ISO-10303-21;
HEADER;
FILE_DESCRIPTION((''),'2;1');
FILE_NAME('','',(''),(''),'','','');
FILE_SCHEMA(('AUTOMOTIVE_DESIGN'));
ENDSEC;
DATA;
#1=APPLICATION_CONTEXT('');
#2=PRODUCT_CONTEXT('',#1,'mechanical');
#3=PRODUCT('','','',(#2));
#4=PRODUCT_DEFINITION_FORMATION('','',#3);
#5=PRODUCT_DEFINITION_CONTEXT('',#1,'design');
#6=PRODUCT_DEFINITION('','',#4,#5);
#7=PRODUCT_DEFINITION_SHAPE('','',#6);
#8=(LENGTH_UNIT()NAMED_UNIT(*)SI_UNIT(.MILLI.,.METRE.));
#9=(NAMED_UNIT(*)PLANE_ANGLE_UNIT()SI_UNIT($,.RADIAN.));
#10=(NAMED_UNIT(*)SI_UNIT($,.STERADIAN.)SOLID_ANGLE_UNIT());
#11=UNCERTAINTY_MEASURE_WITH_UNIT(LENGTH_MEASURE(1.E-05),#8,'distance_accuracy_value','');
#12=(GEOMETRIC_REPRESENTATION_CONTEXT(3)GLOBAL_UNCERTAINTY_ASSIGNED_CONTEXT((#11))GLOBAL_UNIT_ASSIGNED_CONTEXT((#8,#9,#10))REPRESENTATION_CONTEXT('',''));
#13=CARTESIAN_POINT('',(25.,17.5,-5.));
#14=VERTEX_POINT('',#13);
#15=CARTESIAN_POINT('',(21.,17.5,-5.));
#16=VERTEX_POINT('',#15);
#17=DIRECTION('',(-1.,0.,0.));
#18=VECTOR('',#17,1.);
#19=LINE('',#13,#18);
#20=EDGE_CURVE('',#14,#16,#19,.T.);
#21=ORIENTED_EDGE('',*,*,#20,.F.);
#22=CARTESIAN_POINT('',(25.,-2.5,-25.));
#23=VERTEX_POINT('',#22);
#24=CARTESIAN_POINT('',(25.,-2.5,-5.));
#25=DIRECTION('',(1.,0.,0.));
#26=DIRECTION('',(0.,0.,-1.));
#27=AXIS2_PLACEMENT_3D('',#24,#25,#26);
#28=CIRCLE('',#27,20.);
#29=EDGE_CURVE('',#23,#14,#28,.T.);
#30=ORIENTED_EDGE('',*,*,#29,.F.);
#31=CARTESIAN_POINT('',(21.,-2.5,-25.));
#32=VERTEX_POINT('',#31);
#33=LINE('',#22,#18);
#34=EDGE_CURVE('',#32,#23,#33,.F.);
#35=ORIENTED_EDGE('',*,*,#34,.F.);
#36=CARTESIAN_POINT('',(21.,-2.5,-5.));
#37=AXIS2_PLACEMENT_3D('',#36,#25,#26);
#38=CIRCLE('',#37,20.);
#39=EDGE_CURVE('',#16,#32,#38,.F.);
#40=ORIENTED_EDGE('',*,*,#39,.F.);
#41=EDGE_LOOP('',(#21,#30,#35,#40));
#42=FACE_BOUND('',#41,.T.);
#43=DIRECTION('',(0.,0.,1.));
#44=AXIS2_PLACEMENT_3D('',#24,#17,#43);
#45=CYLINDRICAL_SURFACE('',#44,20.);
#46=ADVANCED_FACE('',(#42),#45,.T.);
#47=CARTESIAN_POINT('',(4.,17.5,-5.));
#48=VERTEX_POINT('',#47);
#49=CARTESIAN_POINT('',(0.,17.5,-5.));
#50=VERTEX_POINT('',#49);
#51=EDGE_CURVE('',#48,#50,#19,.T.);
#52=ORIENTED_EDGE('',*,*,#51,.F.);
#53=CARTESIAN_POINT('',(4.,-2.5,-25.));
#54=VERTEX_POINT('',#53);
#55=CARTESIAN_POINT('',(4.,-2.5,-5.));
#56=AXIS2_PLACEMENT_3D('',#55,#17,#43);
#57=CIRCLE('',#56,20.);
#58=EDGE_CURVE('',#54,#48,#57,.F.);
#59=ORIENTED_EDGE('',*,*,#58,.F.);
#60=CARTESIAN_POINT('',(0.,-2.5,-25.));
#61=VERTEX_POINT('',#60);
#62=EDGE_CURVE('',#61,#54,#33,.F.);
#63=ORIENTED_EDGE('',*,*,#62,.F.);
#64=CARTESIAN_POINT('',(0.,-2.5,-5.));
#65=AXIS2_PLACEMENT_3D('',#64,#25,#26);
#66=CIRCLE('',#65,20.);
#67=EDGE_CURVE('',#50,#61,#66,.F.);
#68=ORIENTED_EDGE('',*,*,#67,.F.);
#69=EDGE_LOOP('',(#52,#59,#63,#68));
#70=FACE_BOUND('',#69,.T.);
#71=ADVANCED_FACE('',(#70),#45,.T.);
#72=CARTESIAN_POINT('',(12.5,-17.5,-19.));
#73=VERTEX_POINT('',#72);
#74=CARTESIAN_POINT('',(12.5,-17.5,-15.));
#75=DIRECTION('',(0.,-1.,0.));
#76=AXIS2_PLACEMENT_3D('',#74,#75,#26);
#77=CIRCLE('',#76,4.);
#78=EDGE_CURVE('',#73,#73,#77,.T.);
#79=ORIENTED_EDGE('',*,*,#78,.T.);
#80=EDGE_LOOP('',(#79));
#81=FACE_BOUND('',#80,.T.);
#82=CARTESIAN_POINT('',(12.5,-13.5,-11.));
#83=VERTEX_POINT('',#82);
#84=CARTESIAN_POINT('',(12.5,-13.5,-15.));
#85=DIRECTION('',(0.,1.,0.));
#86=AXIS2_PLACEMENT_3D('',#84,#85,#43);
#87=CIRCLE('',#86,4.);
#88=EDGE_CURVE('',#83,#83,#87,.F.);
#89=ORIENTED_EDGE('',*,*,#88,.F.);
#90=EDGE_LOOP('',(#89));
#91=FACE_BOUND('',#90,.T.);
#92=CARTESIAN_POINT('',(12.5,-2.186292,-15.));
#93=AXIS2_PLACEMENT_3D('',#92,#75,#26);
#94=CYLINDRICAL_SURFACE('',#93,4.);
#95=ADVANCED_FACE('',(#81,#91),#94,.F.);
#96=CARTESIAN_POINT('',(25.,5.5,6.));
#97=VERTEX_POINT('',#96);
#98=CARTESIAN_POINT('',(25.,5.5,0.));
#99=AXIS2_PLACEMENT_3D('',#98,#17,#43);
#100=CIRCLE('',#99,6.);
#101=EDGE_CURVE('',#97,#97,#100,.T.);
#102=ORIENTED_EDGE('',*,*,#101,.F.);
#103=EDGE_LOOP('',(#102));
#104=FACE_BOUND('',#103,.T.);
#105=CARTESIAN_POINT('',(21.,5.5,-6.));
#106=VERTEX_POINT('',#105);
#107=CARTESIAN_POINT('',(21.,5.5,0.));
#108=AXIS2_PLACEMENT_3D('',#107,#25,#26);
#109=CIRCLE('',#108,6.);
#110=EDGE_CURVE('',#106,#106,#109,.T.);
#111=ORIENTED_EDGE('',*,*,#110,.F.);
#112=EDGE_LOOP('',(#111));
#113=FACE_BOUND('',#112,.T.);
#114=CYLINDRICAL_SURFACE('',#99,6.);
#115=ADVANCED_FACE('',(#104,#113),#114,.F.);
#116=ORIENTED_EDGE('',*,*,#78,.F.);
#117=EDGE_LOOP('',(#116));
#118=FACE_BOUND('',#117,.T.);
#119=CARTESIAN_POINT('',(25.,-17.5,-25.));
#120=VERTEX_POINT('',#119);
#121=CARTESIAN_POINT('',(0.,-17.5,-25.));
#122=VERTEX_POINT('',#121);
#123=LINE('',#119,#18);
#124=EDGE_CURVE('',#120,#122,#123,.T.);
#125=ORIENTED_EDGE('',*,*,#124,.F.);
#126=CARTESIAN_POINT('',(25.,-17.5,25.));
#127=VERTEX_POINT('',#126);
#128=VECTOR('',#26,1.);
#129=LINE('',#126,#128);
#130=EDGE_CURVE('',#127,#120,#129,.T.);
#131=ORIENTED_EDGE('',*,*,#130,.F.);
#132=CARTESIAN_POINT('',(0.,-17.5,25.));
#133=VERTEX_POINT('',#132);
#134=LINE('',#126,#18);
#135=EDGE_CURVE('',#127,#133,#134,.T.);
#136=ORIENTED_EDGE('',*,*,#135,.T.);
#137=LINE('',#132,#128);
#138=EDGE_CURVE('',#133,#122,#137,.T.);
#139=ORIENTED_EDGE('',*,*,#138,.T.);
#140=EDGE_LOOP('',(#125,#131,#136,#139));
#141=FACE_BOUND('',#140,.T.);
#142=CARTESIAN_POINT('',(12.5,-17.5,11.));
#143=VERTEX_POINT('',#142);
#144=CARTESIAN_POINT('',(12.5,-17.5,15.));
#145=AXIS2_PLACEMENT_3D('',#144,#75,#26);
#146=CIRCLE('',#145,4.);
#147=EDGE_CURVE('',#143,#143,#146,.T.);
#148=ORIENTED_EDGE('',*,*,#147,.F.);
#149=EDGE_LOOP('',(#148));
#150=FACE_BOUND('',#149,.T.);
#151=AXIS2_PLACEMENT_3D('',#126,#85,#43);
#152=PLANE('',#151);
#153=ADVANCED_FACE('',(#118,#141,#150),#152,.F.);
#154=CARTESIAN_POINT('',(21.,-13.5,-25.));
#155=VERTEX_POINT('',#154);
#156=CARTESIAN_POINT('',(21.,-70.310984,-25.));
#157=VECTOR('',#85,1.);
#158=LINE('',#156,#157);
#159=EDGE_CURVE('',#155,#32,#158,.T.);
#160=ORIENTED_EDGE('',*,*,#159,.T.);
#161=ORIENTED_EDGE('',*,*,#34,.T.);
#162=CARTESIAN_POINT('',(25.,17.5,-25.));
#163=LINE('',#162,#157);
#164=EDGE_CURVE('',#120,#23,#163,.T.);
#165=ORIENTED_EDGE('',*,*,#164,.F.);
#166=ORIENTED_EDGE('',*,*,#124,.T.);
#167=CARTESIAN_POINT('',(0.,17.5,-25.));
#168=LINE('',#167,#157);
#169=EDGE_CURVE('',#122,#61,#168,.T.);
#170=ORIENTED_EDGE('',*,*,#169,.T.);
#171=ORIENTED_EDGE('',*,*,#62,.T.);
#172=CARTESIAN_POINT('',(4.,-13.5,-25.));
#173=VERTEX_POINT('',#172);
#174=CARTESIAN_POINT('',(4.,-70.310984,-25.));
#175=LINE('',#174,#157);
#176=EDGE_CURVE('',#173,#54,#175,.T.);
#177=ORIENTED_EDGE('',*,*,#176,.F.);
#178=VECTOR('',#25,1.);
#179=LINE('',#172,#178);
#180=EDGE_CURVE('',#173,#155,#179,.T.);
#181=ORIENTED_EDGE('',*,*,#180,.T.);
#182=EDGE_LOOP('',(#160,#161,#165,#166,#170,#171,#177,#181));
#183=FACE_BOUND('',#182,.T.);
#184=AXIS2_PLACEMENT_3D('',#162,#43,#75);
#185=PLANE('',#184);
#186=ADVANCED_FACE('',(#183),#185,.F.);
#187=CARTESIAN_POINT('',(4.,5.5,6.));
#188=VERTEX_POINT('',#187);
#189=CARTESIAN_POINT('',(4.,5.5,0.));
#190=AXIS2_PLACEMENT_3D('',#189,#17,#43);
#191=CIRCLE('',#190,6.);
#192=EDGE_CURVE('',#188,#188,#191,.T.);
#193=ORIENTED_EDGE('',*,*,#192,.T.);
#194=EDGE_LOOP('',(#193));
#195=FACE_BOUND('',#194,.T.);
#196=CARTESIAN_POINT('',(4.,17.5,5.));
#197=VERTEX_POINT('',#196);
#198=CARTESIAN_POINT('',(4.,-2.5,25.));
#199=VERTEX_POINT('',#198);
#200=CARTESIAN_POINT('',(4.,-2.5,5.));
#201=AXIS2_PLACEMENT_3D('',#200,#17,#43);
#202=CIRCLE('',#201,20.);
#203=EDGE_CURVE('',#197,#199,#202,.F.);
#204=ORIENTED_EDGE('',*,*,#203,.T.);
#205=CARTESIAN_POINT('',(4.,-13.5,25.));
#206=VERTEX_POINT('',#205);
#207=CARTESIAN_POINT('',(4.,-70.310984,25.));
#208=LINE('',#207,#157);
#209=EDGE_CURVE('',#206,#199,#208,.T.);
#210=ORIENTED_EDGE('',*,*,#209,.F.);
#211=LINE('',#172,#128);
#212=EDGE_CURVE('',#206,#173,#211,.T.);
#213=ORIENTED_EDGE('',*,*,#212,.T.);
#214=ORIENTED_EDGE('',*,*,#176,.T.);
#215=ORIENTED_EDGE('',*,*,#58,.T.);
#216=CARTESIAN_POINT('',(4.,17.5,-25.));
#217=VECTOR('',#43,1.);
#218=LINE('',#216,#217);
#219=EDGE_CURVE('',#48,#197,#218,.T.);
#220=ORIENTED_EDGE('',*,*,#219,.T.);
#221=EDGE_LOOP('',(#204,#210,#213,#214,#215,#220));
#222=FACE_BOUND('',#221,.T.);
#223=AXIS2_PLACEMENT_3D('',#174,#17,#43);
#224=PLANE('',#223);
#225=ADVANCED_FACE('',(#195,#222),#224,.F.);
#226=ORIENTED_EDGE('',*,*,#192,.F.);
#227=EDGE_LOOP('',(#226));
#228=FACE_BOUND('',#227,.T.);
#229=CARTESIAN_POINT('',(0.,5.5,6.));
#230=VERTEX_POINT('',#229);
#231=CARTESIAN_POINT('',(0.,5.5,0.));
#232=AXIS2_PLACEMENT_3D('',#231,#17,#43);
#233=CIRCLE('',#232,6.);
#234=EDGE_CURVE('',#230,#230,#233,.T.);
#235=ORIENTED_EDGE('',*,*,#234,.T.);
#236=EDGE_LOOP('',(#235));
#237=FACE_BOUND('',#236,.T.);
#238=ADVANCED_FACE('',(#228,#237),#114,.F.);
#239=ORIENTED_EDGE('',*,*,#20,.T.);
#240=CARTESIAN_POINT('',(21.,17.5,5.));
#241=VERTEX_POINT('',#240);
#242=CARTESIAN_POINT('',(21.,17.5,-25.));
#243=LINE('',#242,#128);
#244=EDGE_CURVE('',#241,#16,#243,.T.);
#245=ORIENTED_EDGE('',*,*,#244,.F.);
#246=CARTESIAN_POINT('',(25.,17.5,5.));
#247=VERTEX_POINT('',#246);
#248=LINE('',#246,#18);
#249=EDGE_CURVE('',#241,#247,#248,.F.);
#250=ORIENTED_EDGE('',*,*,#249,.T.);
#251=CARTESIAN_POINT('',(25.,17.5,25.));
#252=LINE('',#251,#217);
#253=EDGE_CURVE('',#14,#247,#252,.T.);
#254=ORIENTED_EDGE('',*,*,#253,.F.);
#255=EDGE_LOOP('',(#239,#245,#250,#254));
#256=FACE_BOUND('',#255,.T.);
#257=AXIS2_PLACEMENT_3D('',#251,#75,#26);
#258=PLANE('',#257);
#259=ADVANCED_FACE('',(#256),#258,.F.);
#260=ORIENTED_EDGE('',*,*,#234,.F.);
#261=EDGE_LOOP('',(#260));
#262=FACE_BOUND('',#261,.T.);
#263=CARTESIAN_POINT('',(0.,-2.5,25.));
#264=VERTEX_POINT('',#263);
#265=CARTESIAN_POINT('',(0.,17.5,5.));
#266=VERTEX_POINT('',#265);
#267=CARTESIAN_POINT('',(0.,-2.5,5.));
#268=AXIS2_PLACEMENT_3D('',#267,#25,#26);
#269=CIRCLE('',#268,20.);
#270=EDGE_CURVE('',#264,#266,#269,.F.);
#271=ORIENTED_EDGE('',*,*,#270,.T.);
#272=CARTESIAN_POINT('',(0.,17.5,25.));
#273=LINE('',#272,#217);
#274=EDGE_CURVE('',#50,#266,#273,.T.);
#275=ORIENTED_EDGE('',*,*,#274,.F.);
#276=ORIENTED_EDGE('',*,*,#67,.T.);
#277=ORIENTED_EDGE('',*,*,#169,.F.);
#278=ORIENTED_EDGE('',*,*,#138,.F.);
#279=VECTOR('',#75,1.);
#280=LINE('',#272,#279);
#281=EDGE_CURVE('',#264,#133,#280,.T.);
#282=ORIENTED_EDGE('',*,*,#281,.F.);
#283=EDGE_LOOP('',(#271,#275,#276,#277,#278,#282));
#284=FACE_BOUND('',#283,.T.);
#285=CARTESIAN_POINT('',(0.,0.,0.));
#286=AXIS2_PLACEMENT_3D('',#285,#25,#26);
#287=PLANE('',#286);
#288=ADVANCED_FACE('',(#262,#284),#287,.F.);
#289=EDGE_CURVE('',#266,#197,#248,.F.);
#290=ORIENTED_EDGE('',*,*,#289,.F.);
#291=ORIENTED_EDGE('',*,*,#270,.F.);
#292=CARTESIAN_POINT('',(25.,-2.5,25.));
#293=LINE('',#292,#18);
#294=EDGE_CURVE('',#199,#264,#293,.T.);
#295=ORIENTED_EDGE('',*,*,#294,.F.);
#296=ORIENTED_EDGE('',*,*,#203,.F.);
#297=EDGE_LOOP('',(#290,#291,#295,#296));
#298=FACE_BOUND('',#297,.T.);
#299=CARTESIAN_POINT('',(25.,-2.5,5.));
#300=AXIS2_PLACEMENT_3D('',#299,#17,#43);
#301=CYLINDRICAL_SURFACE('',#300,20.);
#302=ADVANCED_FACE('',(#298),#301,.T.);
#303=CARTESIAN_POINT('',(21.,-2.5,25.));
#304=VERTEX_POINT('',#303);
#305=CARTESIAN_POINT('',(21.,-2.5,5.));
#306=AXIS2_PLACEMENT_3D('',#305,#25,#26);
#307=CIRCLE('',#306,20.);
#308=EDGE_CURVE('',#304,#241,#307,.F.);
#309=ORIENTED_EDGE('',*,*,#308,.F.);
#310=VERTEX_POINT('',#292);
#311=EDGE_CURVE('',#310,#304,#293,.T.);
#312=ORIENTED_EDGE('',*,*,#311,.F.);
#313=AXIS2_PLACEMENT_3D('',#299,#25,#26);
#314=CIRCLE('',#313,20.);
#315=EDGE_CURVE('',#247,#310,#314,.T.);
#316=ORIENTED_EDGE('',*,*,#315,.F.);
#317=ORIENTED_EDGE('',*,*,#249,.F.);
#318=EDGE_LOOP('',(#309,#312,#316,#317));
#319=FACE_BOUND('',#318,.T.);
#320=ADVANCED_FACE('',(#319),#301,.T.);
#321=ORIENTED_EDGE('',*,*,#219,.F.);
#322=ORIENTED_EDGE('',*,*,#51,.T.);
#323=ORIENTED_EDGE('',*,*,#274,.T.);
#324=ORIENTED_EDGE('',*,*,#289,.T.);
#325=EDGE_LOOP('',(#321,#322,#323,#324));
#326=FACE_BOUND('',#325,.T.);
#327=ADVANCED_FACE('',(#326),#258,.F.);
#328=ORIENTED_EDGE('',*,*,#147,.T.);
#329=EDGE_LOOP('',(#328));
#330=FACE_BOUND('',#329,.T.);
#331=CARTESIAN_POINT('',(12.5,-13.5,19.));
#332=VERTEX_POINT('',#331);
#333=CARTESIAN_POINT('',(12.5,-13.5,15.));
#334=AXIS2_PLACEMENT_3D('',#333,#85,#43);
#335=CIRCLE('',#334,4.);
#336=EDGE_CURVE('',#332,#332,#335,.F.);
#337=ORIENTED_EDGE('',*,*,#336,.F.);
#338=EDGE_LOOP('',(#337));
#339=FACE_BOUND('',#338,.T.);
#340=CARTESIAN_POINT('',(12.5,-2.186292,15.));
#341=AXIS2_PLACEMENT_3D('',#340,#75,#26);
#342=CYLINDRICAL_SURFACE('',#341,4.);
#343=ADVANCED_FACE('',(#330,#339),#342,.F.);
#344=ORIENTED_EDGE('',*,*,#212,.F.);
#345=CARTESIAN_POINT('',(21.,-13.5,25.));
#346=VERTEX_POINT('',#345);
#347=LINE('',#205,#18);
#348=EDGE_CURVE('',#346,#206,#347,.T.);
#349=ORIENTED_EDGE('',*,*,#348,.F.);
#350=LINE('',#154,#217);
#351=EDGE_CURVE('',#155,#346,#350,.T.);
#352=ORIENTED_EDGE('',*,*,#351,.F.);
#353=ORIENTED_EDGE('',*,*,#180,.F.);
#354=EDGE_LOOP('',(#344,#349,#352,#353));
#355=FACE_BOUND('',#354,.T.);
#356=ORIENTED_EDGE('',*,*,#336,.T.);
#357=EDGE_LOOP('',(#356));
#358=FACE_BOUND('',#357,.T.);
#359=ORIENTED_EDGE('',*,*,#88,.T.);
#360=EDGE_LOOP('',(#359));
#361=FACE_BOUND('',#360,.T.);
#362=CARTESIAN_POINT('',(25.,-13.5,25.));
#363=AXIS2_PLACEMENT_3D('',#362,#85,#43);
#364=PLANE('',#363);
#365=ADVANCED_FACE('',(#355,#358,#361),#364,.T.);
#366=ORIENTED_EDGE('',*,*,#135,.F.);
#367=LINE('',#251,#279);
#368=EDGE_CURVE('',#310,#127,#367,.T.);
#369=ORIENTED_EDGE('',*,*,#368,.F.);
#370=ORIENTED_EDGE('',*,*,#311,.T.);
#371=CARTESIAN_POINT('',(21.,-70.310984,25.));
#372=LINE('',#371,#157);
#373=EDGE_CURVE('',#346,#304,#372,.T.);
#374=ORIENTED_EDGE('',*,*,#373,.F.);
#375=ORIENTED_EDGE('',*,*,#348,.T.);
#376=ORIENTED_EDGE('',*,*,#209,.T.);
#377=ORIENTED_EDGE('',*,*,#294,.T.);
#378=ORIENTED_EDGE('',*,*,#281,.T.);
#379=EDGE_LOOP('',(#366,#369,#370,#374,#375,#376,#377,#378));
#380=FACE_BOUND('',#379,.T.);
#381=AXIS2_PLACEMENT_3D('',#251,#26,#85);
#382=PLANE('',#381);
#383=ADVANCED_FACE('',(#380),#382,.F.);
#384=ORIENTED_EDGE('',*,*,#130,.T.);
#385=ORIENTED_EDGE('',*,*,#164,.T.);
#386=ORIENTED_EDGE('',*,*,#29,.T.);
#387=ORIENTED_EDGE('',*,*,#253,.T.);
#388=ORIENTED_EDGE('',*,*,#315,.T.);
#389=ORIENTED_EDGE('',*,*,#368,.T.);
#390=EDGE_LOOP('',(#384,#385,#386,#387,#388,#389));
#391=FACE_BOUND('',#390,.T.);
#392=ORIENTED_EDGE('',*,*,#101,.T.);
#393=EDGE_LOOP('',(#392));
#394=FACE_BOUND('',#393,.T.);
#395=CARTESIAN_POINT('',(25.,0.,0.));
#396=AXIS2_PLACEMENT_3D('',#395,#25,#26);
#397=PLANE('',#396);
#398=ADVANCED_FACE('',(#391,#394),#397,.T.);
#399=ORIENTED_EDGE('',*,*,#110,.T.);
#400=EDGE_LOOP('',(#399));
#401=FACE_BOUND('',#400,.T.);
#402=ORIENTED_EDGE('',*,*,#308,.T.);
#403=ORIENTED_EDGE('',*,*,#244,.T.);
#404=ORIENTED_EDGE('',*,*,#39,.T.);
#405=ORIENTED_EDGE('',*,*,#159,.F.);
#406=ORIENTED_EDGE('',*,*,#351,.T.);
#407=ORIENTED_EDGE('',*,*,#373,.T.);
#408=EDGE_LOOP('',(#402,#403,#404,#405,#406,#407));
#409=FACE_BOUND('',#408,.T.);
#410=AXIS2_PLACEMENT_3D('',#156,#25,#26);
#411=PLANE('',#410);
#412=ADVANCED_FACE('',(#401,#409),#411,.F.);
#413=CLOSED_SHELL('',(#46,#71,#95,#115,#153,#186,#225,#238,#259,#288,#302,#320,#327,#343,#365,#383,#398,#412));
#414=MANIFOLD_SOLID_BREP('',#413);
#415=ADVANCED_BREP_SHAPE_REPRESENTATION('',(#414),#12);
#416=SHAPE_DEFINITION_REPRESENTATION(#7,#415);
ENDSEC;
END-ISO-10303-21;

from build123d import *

# Parameters (mm, degrees)
SKETCH1_W           = 50
SKETCH1_H           = 35
BOSS_EXTRUDE1_DEPTH = 25
SKETCH2_W           = 17
SKETCH2_H           = 50
CUT_EXTRUDE1_DEPTH  = 31
SKETCH4_R           = 6
CUT_EXTRUDE2_DEPTH  = 26
SKETCH5_R           = 4
CUT_EXTRUDE3_DEPTH  = 4
FILLET1_R           = 20


with BuildPart() as part:
    # Sketch1 → Boss-Extrude1 (new body)
    with BuildSketch(Plane(origin=(0, 0, 0), x_dir=(0, 0, -1), z_dir=(1, 0, 0))):
        Rectangle(SKETCH1_W, SKETCH1_H)
    extrude(amount=BOSS_EXTRUDE1_DEPTH)

    # Sketch2 → Cut-Extrude1 (cut)
    with BuildSketch(Plane(origin=(0, 17.5, 0), x_dir=(1, 0, 0), z_dir=(0, 1, 0))):
        with Locations((12.5, 0)):
            Rectangle(SKETCH2_W, SKETCH2_H)
    extrude(amount=-CUT_EXTRUDE1_DEPTH, mode=Mode.SUBTRACT)

    # Sketch4 → Cut-Extrude2 (cut, through all)
    with BuildSketch(Plane.ZY):
        with Locations((0, 5.5)):
            Circle(SKETCH4_R)
    extrude(amount=-CUT_EXTRUDE2_DEPTH, mode=Mode.SUBTRACT)

    # Sketch5 → Cut-Extrude3 (cut)
    with BuildSketch(Plane.XZ.offset(17.5)):
        with Locations((12.5, 15)):
            Circle(SKETCH5_R)
        with Locations((12.5, -15)):
            Circle(SKETCH5_R)
    extrude(amount=-CUT_EXTRUDE3_DEPTH, mode=Mode.SUBTRACT)

    # Fillet1
    fillet1_edges = [part.edges().sort_by_distance(p)[0] for p in [
        (2, 17.5, 25),
        (2, 17.5, -25),
        (23, 17.5, 25),
        (23, 17.5, -25),
    ]]
    fillet(fillet1_edges, radius=FILLET1_R)


solid = part.part
